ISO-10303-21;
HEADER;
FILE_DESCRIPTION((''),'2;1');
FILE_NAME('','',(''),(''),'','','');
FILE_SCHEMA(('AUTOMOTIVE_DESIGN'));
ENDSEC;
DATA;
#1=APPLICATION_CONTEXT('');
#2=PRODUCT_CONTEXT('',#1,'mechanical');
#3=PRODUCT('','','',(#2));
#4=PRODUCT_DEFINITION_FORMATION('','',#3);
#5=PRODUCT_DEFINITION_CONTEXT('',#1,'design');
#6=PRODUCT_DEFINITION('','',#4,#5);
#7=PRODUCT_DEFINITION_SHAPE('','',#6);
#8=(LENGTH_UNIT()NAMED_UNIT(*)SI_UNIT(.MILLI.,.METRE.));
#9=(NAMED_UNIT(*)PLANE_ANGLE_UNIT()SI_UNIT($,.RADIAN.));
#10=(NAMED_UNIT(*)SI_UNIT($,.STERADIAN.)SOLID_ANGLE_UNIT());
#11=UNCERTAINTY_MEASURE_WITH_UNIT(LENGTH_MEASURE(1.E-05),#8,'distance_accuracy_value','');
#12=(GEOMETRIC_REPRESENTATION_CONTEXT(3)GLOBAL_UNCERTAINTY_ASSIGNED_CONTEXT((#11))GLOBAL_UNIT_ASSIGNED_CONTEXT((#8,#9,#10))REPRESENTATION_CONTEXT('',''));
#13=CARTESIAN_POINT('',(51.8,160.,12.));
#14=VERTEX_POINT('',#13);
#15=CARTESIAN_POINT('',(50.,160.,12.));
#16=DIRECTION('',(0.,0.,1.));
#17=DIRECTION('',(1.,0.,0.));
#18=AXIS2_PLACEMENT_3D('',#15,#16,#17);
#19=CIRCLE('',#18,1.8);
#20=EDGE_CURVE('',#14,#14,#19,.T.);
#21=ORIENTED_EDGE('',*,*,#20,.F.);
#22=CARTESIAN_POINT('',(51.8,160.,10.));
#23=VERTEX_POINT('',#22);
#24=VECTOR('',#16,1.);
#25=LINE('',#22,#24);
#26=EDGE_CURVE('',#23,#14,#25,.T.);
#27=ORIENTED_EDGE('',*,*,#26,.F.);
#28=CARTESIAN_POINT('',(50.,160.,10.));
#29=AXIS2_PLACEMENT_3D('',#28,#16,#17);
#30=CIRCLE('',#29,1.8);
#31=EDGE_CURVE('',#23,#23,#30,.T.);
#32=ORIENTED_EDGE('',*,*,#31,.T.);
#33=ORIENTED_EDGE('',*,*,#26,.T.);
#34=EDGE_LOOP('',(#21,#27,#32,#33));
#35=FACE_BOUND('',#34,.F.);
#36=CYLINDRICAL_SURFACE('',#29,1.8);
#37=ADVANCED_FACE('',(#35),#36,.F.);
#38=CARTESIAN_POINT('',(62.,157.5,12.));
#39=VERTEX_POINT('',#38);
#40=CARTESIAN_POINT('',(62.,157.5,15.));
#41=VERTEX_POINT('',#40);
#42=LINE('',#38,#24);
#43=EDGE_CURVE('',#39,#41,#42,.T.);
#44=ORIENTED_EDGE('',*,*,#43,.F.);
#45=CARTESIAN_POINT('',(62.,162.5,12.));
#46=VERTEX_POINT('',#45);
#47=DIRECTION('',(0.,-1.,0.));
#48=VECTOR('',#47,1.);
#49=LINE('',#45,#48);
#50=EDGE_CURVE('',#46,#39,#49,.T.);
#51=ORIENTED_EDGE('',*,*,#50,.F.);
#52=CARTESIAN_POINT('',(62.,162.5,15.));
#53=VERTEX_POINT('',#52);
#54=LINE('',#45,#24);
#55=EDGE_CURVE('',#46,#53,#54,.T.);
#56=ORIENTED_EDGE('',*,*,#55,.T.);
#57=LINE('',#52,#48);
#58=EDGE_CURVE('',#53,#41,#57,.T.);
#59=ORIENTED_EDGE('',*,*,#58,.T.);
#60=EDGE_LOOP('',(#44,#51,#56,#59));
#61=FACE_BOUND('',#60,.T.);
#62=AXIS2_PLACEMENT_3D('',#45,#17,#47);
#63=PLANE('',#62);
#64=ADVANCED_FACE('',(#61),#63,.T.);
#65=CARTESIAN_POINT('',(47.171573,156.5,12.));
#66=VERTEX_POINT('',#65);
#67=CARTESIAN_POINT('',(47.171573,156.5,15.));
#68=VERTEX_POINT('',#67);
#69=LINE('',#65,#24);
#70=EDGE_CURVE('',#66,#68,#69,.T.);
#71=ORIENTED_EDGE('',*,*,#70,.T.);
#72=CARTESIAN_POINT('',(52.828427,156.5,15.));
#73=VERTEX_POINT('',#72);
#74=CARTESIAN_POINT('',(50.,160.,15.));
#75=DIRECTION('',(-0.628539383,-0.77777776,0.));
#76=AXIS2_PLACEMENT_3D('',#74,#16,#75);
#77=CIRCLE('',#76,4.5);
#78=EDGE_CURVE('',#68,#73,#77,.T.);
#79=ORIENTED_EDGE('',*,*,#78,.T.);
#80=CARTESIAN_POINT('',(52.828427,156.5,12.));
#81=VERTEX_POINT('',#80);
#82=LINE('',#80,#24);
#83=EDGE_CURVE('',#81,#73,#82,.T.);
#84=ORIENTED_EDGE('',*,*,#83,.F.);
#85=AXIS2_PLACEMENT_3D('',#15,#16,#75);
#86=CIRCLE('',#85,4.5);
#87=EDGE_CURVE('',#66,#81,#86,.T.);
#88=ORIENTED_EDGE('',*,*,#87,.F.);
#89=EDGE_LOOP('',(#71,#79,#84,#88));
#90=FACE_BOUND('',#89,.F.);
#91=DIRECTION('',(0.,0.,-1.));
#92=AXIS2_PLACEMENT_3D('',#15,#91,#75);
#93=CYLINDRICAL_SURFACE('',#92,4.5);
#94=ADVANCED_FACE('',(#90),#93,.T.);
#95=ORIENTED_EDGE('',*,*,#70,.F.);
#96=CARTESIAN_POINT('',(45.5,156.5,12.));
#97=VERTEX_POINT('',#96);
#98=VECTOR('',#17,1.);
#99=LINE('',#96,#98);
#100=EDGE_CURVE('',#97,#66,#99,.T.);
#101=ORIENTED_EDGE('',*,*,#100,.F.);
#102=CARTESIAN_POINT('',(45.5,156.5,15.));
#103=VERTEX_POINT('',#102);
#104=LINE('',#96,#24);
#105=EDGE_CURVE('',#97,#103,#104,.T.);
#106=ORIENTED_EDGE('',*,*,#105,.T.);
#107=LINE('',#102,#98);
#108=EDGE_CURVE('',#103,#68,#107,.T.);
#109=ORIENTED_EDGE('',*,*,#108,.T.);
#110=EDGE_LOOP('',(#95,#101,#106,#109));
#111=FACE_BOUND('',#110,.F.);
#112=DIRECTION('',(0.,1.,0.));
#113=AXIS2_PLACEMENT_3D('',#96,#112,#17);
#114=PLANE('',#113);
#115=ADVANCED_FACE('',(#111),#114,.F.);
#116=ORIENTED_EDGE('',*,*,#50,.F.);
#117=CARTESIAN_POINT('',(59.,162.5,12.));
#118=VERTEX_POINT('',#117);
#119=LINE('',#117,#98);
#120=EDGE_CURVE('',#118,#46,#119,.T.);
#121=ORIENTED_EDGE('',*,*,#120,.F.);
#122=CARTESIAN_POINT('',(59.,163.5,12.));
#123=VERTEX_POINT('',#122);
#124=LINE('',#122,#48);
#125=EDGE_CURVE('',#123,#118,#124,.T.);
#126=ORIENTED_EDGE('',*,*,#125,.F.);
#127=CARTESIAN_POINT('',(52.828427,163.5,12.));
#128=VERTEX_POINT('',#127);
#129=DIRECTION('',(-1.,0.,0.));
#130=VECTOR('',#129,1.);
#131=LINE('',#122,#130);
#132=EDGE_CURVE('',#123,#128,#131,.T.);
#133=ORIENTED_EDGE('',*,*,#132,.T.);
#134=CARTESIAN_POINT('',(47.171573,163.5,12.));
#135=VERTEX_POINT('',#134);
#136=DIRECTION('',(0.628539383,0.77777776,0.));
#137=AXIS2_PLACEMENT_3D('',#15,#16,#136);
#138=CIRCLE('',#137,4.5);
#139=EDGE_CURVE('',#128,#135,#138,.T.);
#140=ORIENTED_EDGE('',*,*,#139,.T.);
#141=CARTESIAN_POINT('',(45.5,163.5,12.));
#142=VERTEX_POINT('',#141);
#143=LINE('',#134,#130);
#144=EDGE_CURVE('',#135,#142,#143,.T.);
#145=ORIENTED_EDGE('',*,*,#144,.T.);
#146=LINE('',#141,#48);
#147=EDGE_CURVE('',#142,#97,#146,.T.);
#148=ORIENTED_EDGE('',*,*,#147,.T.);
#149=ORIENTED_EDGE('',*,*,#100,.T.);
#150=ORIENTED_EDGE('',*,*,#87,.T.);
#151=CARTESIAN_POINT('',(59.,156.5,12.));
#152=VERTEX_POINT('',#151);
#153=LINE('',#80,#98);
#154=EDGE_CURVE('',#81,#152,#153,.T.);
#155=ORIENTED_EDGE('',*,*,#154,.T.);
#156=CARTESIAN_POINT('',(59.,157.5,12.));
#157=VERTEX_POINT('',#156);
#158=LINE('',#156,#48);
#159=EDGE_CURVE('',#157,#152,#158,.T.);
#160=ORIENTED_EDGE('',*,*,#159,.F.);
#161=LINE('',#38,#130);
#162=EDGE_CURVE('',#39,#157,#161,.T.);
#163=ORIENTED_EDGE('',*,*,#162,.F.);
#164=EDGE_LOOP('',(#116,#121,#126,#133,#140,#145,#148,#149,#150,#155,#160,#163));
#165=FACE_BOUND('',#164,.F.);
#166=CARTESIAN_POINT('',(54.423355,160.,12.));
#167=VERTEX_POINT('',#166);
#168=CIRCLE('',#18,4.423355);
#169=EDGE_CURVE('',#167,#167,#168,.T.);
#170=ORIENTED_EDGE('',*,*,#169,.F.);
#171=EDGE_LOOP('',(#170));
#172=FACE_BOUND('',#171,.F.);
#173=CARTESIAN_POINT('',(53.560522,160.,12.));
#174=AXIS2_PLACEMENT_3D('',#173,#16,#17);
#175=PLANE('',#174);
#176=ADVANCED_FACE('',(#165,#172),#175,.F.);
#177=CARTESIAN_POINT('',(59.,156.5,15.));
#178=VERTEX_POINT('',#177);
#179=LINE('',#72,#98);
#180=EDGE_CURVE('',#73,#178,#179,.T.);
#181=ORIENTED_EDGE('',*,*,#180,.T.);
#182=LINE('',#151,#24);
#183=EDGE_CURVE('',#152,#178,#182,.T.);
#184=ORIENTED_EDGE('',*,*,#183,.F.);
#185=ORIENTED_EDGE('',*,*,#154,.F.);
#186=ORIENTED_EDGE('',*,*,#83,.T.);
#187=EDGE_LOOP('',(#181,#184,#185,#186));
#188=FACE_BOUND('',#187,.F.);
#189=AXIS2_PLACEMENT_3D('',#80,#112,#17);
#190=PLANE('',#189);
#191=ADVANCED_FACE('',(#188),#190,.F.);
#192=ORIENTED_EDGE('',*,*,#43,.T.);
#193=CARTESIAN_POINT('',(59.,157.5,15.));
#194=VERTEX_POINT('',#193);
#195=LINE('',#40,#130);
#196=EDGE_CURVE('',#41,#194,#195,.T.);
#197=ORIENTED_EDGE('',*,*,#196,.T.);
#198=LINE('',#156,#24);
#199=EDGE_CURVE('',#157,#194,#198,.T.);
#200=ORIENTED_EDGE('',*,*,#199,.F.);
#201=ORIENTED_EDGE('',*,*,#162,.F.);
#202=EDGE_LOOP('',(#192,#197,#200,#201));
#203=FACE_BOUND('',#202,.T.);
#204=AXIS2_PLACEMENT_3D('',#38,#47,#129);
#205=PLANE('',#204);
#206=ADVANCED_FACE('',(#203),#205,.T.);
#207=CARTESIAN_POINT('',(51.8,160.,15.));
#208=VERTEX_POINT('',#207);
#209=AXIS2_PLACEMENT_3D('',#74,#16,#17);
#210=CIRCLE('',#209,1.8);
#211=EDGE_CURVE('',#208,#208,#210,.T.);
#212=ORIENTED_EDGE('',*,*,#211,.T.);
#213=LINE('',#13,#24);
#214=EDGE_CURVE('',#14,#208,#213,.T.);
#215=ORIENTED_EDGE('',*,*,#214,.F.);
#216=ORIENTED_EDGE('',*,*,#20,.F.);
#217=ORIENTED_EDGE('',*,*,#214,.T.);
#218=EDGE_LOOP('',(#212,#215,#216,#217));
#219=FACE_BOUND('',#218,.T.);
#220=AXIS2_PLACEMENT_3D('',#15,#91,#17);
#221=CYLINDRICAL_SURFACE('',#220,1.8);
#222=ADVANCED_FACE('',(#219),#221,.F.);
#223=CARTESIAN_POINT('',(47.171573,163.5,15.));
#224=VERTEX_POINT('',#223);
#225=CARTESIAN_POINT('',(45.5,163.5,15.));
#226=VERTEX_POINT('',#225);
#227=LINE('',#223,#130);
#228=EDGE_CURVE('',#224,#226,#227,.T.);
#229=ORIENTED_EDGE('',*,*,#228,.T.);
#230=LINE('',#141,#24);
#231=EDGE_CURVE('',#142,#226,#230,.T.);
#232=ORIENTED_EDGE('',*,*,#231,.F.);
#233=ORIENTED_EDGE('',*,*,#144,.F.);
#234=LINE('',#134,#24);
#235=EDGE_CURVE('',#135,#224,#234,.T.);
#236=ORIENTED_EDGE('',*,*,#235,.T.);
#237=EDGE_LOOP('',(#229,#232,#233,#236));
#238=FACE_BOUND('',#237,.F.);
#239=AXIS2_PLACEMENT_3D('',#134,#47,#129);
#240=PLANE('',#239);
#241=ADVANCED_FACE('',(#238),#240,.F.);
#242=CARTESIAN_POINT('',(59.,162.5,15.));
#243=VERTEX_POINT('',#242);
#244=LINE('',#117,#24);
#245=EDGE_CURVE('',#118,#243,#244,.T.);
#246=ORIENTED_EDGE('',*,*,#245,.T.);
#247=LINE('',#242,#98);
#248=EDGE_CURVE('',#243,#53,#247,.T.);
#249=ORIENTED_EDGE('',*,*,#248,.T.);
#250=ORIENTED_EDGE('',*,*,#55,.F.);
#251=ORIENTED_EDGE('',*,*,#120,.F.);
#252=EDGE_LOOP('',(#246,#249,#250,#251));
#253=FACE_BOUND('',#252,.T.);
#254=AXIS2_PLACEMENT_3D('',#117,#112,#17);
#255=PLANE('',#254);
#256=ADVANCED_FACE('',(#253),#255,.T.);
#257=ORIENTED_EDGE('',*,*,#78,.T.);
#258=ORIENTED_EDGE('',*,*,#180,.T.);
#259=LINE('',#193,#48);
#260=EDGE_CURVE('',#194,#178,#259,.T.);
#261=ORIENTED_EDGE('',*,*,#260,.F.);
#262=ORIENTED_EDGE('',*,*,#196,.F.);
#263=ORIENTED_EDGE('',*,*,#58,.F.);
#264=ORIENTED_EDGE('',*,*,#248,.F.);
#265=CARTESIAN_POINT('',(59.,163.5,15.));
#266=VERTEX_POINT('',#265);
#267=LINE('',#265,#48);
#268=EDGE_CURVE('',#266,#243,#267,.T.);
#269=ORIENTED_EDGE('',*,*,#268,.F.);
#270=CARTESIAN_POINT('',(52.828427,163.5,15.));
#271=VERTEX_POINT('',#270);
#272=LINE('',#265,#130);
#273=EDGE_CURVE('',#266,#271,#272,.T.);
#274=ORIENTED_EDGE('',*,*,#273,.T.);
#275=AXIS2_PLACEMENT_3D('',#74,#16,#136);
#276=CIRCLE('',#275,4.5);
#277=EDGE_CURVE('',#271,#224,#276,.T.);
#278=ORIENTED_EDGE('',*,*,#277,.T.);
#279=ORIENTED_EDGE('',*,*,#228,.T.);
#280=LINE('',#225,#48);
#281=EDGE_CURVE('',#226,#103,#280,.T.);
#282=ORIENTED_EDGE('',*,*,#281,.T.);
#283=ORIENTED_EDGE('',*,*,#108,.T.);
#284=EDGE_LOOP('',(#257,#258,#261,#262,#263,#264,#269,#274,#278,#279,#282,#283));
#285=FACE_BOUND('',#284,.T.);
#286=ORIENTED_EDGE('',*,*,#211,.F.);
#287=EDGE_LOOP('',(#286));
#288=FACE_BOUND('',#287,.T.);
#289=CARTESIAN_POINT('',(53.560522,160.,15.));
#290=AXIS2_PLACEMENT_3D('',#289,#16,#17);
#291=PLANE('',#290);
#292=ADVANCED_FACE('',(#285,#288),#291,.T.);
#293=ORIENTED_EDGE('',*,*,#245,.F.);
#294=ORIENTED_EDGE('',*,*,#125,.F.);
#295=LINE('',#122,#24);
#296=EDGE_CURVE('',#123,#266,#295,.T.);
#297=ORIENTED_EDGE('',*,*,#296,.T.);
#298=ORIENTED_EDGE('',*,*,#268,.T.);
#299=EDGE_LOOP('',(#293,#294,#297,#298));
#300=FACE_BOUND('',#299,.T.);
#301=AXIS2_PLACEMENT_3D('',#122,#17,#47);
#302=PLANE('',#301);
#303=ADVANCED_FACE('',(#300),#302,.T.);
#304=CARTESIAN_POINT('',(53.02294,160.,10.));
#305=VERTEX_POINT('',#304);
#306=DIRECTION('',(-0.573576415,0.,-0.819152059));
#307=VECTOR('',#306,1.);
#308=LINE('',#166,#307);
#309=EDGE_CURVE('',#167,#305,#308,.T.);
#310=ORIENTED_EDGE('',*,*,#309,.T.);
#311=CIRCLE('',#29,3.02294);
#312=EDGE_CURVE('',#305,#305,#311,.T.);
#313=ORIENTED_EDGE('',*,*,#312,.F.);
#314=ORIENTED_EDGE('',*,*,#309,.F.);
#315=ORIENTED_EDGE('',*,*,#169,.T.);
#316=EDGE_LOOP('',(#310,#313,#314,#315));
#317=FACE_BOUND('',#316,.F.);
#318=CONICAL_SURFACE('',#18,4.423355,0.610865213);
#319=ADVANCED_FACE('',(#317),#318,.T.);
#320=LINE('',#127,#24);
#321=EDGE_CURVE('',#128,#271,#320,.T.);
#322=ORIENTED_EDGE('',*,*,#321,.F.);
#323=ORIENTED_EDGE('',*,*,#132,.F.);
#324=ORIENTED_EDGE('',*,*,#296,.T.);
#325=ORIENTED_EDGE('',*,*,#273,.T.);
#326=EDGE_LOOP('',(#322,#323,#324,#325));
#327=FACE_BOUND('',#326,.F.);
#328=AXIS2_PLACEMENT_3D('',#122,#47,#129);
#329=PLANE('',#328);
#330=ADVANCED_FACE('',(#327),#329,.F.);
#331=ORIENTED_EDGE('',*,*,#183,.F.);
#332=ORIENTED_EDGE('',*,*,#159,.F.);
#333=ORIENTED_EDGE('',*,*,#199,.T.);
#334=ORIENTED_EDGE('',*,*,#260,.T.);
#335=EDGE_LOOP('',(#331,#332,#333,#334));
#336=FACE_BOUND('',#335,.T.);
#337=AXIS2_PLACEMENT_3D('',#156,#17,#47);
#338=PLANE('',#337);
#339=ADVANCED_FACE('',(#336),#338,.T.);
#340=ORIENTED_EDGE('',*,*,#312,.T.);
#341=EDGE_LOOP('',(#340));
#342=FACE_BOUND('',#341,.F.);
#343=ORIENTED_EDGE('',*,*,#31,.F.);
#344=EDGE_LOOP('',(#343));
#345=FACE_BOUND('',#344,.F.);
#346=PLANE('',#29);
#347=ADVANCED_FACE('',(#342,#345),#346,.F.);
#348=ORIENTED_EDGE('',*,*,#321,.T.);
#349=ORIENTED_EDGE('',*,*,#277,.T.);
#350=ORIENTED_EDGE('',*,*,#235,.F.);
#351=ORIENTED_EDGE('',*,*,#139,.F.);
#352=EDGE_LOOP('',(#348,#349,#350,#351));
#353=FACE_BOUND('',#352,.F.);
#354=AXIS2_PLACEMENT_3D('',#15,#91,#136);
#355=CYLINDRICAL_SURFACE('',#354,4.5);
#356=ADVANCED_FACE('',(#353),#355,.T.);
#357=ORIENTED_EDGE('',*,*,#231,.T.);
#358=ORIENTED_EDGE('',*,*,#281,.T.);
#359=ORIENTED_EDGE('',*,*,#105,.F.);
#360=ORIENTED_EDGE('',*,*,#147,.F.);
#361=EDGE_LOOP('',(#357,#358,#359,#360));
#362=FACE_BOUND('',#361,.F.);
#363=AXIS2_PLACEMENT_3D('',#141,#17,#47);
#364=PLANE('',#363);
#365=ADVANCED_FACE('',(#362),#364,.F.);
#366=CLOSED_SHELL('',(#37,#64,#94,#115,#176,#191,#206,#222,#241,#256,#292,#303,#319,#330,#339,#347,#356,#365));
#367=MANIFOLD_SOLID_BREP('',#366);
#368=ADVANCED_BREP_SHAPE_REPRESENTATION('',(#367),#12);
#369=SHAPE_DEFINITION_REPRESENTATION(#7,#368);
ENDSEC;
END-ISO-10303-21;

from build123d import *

# Parameters (mm, degrees)
SKETCH164_R     = 1.8
PAD127002_DEPTH = 3


with BuildPart() as innerbearingrace:
    # Sketch165 → Revolution008 (revolve)
    with BuildSketch(Plane(origin=(50, 160, 10), x_dir=(1, 0, 0), z_dir=(0, -1, 0))):
        Polygon((4.423355, 2), (3.02294, 0), (1.8, 0), (1.8, 2), align=None)
    revolve(axis=Axis((50, 160, 10), (0, 0, 1)))


with BuildPart() as steeringcolumn_short:
    # Sketch164 → Pad127002 (new body)
    with BuildSketch(Plane(origin=(50, 160, 12), x_dir=(1, 0, 0), z_dir=(0, 0, 1))):
        with BuildLine():
            Line((9, 3.5), (2.828427, 3.5))
            ThreePointArc((2.828427, 3.5), (0, 4.5), (-2.828427, 3.5))
            Line((-2.828427, 3.5), (-4.5, 3.5))
            Line((-4.5, 3.5), (-4.5, -3.5))
            Line((-4.5, -3.5), (-2.828427, -3.5))
            ThreePointArc((-2.828427, -3.5), (0, -4.5), (2.828427, -3.5))
            Line((2.828427, -3.5), (9, -3.5))
            Line((9, -2.5), (9, -3.5))
            Line((12, -2.5), (9, -2.5))
            Line((12, 2.5), (12, -2.5))
            Line((9, 2.5), (12, 2.5))
            Line((9, 3.5), (9, 2.5))
        make_face()
        Circle(SKETCH164_R, mode=Mode.SUBTRACT)
    extrude(amount=PAD127002_DEPTH)

    # Fusion004020021: union InnerBearingRace
    add(innerbearingrace.part)


solid = steeringcolumn_short.part
